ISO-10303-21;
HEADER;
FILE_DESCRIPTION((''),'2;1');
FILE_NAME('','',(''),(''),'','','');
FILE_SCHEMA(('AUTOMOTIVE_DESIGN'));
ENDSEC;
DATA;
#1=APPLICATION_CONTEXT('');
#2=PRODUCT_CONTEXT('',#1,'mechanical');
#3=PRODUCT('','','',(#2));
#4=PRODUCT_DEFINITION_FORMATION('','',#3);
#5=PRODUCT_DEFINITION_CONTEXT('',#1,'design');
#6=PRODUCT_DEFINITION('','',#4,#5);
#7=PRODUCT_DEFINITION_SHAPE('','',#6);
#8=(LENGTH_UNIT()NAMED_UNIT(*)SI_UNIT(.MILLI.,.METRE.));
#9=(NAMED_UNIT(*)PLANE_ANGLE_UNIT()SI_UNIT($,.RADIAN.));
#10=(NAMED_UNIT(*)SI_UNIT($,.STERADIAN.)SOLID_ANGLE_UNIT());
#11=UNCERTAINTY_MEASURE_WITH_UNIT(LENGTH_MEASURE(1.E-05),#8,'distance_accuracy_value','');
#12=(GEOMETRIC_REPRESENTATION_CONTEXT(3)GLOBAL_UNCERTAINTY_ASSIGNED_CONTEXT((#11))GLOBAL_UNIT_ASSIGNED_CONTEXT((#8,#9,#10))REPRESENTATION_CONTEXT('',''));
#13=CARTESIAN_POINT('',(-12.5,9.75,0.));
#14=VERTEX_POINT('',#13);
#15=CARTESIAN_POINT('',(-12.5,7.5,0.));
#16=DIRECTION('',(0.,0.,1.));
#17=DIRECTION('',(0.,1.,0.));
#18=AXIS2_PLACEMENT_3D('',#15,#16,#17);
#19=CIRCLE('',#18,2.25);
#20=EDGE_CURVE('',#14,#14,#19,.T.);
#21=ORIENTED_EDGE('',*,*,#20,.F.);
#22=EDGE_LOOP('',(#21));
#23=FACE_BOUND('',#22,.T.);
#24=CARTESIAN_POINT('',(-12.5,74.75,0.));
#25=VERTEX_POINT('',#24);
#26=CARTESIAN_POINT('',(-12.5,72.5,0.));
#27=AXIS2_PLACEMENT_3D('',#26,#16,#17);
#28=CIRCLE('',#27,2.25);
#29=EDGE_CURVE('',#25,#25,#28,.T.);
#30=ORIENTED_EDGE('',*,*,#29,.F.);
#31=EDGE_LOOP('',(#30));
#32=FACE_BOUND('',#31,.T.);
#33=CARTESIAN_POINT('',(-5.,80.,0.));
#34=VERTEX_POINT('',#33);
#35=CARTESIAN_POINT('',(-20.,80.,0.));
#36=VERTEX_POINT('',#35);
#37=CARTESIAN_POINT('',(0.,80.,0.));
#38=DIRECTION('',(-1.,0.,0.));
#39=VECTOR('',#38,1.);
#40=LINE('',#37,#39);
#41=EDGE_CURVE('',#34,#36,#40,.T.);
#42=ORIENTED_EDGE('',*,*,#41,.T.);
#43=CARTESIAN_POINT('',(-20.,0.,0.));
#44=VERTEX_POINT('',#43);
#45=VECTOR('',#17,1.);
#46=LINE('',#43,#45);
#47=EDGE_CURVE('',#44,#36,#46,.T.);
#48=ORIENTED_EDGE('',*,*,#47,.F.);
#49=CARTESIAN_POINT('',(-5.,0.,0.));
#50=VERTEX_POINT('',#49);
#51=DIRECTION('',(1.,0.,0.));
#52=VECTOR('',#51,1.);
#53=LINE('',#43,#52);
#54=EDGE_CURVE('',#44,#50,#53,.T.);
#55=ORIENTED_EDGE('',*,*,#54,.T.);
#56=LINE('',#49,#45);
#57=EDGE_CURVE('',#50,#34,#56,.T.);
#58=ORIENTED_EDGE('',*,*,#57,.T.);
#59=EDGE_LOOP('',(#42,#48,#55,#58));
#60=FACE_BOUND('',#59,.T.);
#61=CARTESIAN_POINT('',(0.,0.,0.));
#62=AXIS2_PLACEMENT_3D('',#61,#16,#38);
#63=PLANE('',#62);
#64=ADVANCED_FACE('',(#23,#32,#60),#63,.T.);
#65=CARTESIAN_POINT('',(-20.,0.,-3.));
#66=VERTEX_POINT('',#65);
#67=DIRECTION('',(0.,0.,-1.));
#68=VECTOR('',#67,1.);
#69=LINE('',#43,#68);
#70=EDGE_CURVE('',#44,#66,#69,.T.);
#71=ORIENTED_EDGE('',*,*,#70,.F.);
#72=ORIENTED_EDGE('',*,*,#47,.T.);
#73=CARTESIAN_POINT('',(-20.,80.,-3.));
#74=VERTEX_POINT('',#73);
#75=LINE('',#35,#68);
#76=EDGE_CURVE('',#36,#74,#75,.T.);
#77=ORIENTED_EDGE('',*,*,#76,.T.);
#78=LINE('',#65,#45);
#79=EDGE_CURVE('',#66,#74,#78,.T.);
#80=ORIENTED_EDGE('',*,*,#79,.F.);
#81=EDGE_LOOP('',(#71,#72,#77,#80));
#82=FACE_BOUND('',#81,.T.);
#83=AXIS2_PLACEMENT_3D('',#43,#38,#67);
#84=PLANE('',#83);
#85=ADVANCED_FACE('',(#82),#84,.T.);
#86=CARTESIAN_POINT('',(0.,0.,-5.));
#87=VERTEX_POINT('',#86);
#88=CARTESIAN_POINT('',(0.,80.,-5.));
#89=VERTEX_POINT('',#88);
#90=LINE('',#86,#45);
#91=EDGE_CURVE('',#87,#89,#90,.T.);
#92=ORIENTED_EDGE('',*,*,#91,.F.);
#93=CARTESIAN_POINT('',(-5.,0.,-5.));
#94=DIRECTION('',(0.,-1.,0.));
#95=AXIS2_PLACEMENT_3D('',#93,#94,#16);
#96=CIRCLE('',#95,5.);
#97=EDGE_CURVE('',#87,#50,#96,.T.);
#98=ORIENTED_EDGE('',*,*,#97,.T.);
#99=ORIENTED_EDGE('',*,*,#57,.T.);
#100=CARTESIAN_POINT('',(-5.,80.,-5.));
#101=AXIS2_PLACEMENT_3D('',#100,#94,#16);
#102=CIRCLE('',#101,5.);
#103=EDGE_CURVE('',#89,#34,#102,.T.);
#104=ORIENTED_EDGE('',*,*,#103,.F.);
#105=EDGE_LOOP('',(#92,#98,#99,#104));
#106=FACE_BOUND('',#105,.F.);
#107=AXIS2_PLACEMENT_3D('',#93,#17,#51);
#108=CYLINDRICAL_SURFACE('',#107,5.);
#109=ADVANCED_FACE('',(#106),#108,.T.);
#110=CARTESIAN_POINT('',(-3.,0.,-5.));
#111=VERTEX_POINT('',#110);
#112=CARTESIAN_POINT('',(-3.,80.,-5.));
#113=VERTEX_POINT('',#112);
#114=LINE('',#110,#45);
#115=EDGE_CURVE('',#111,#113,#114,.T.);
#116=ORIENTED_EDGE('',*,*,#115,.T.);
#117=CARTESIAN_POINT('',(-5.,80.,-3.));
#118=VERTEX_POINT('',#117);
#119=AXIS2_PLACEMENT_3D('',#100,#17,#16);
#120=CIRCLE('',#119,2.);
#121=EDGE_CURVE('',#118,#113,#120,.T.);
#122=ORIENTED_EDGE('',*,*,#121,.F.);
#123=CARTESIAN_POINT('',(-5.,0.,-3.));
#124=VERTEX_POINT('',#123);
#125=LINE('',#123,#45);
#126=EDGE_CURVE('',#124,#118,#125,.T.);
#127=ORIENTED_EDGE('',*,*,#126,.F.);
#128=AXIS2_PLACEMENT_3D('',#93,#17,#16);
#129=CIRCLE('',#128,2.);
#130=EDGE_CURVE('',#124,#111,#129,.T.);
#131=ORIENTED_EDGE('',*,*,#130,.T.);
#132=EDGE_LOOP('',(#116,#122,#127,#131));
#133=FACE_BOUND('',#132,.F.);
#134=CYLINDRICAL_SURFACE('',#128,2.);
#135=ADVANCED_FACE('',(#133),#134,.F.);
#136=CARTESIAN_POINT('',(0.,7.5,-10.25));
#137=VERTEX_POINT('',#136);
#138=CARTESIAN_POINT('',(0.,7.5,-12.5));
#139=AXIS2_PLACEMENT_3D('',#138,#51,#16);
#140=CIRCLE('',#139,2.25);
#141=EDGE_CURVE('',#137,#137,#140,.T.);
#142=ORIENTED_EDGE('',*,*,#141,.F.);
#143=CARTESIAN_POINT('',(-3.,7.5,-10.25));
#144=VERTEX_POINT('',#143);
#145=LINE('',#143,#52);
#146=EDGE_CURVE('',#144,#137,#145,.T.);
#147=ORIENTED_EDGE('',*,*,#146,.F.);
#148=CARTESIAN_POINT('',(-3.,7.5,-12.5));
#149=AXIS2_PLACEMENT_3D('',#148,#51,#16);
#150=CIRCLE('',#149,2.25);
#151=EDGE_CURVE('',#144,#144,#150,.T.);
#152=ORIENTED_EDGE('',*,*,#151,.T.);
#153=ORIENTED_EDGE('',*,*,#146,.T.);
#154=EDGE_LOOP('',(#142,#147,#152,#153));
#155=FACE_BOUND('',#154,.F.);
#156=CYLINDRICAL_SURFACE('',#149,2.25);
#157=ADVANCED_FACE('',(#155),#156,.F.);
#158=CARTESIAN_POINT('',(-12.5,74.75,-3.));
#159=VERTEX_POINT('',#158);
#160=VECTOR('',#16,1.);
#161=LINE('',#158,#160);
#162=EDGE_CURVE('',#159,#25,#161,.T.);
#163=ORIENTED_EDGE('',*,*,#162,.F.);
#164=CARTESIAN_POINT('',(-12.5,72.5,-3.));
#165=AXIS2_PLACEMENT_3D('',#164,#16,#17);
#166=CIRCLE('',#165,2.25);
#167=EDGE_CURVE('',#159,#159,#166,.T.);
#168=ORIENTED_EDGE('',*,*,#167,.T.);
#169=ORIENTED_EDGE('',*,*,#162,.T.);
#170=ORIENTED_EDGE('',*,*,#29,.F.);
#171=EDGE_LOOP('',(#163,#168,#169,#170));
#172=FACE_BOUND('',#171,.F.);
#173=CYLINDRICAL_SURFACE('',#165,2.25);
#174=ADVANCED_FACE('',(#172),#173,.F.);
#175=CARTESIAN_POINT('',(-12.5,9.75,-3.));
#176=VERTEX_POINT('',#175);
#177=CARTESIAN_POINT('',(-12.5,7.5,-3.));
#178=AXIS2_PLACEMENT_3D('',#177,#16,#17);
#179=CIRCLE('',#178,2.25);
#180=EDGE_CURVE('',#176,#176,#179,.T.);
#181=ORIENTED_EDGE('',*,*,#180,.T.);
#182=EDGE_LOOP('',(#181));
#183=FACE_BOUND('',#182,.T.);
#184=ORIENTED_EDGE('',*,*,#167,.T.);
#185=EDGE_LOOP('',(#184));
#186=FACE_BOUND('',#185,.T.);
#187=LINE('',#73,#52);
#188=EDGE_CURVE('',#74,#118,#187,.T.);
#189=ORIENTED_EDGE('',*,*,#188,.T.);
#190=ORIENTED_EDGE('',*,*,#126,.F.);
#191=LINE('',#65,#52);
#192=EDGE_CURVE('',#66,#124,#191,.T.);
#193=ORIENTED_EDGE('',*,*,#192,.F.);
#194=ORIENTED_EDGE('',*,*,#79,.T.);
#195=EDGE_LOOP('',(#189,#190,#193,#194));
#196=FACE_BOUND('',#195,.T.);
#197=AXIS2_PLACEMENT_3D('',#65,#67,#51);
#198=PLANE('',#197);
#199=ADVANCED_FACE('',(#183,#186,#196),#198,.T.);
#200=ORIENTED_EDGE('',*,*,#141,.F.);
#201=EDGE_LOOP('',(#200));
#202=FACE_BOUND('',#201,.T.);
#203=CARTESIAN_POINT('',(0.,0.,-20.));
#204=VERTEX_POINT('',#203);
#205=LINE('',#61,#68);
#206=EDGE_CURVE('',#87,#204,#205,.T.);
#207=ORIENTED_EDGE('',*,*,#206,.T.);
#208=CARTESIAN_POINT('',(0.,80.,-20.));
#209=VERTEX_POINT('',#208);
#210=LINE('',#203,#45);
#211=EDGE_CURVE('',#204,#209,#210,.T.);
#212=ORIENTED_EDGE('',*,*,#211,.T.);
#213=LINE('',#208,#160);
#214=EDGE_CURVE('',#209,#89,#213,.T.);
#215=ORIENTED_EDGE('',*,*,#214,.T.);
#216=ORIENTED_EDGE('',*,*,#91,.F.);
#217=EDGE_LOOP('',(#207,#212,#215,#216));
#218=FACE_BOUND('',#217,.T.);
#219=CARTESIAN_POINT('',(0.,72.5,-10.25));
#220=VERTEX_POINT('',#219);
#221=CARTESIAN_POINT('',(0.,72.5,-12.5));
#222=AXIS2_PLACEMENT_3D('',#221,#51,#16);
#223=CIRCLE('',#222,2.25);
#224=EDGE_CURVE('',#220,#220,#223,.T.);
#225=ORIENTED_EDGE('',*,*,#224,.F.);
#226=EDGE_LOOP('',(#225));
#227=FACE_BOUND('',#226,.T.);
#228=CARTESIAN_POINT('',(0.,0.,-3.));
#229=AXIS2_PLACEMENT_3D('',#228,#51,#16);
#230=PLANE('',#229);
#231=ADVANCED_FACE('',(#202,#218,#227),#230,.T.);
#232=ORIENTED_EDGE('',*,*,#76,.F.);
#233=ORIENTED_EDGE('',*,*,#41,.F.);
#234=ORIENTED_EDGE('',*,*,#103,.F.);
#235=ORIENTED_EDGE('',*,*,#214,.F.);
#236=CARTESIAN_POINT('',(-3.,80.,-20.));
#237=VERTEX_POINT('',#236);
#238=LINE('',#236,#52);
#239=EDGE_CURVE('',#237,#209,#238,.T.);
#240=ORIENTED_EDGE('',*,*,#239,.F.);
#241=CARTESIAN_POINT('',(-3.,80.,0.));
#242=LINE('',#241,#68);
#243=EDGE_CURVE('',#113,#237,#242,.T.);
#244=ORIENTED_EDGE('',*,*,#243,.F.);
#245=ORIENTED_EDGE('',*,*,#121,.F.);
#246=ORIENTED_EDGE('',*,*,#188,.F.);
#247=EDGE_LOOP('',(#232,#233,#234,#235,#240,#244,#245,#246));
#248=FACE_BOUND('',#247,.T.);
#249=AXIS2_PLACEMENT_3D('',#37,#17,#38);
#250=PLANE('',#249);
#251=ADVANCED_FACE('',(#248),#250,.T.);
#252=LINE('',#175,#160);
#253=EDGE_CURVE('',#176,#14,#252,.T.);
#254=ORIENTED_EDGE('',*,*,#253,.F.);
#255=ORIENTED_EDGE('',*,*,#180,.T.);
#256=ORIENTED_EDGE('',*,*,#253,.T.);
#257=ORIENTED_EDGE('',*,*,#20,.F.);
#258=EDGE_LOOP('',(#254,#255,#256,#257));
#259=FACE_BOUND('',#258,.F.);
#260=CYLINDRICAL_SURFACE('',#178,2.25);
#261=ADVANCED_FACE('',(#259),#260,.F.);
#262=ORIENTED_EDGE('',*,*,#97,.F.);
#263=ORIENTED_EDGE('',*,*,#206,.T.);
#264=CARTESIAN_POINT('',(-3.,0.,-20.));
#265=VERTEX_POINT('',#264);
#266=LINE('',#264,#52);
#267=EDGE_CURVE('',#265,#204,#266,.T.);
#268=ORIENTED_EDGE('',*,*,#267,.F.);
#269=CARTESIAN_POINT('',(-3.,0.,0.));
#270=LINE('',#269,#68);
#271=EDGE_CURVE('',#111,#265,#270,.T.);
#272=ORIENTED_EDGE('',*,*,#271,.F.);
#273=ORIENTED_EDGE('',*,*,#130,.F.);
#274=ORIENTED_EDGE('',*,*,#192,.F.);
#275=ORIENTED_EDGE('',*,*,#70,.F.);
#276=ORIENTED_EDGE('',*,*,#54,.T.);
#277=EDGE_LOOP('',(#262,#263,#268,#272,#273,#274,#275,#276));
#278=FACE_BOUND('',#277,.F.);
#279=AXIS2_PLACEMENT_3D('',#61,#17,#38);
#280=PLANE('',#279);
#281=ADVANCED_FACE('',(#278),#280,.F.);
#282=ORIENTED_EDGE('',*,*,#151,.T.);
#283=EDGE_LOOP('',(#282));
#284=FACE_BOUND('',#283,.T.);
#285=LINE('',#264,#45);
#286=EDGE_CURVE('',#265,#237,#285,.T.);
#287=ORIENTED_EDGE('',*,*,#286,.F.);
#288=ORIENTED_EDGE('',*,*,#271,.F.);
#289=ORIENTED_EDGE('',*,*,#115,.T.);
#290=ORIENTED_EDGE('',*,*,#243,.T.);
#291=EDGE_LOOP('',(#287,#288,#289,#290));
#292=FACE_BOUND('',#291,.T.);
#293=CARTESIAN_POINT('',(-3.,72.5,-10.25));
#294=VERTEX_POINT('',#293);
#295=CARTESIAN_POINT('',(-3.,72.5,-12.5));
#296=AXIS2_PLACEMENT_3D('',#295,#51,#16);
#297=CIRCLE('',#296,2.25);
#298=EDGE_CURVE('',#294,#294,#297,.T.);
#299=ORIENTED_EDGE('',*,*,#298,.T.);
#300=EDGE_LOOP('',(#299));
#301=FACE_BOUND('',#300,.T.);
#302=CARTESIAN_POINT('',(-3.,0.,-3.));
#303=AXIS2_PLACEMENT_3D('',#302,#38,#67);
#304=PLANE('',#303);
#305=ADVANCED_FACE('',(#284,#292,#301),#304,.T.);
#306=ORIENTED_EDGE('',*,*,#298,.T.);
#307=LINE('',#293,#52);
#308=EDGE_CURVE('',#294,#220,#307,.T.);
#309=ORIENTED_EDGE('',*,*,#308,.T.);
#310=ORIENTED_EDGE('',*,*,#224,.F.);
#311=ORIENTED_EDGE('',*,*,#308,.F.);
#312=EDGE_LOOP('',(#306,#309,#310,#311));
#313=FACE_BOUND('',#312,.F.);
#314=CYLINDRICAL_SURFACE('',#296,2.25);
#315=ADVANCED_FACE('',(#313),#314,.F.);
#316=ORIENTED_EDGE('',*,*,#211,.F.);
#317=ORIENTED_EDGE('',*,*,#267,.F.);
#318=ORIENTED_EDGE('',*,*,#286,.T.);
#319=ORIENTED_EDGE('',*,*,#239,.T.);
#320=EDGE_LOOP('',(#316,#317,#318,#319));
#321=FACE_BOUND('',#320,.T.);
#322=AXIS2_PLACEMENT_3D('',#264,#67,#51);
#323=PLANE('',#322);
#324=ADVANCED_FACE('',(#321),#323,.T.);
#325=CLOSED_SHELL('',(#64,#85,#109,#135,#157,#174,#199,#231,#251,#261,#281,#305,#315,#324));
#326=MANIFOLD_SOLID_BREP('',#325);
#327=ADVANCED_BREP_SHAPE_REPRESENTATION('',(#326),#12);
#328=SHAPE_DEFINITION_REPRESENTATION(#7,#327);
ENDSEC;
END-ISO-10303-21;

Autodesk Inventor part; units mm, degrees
ref_plane "YZ Plane" through (0, 0, 0) normal (1, 0, 0) x (0, 1, 0)
ref_plane "XZ Plane" through (0, 0, 0) normal (0, 1, 0) x (-1, 0, 0)
ref_plane "XY Plane" through (0, 0, 0) normal (0, 0, 1) x (1, 0, 0)
sketch "Sketch1" plane through (0, 0, 0) normal (0, 1, 0) x (-1, 0, 0)
  line L0 (0, 0) -> (20, 0)
  line L1 (20, 0) -> (20, -3)
  line L2 (20, -3) -> (0, -3)
  line L3 (0, -3) -> (0, 0)
  line L4 (0, 0) -> (3, 0)
  line L5 (3, 0) -> (3, -20)
  line L6 (3, -20) -> (0, -20)
  line L7 (0, -20) -> (0, 0)
  dimension "d0" = 3
  dimension "d1" = 3
  dimension "d2" = 20
  dimension "d3" = 20
extrude "Extrusion1" add sketch "Sketch1" along normal blind 80
fillet "Fillet1" radius 2 1 edges at (-3, 40, -3)
fillet "Fillet2" radius 5 1 edges at (0, 40, 0)
sketch "Sketch2" plane through (-3, 0, -20) normal (-1, 0, 0) x (0, 0, 1)
  line L0 (0, 80) -> (15, 80) projected
  line L1 (0, 0) -> (15, 0) projected
  line L2 (0, 0) -> (0, 80) projected
  point P0 (20, 0)
  point P1 (7.5, 72.5)
  point P2 (7.5, 7.5)
  dimension "d8" = 7.5
  dimension "d9" = 7.5
  dimension "d10" = 65
  dimension "d11" = 7.5
hole "Hole1" at (-3, 72.5, -12.5) at (-3, 7.5, -12.5) direction (1, 0, 0) diameter 4.5 end through all clearance for "Socket Head Cap Screw" size "M4" standard "Ansi Metric M Profile"
sketch "Sketch3" plane through (-20, 0, -3) normal (0, 0, -1) x (-1, 0, 0)
  line L0 (-15, 80) -> (0, 80) projected
  line L1 (-15, 0) -> (0, 0) projected
  line L2 (0, 0) -> (0, 80) projected
  point P0 (-20, 0)
  point P1 (-7.5, 72.5)
  point P2 (-7.5, 7.5)
  dimension "d19" = 7.5
  dimension "d20" = 7.5
  dimension "d21" = 7.5
  dimension "d29" = 65
hole "Hole2" at (-12.5, 72.5, -3) at (-12.5, 7.5, -3) direction (0, 0, 1) diameter 4.5 end through all clearance for "Socket Head Cap Screw" size "M4" standard "Ansi Metric M Profile"
equation "\"d1\" = d0"
equation "\"d3\" = d2"
equation "\"d9\" = d8"
equation "\"d20\" = d19"
equation "\"d21\" = d19"
properties part number "Timing_Angle Bracket" material "Aluminum 6061"
